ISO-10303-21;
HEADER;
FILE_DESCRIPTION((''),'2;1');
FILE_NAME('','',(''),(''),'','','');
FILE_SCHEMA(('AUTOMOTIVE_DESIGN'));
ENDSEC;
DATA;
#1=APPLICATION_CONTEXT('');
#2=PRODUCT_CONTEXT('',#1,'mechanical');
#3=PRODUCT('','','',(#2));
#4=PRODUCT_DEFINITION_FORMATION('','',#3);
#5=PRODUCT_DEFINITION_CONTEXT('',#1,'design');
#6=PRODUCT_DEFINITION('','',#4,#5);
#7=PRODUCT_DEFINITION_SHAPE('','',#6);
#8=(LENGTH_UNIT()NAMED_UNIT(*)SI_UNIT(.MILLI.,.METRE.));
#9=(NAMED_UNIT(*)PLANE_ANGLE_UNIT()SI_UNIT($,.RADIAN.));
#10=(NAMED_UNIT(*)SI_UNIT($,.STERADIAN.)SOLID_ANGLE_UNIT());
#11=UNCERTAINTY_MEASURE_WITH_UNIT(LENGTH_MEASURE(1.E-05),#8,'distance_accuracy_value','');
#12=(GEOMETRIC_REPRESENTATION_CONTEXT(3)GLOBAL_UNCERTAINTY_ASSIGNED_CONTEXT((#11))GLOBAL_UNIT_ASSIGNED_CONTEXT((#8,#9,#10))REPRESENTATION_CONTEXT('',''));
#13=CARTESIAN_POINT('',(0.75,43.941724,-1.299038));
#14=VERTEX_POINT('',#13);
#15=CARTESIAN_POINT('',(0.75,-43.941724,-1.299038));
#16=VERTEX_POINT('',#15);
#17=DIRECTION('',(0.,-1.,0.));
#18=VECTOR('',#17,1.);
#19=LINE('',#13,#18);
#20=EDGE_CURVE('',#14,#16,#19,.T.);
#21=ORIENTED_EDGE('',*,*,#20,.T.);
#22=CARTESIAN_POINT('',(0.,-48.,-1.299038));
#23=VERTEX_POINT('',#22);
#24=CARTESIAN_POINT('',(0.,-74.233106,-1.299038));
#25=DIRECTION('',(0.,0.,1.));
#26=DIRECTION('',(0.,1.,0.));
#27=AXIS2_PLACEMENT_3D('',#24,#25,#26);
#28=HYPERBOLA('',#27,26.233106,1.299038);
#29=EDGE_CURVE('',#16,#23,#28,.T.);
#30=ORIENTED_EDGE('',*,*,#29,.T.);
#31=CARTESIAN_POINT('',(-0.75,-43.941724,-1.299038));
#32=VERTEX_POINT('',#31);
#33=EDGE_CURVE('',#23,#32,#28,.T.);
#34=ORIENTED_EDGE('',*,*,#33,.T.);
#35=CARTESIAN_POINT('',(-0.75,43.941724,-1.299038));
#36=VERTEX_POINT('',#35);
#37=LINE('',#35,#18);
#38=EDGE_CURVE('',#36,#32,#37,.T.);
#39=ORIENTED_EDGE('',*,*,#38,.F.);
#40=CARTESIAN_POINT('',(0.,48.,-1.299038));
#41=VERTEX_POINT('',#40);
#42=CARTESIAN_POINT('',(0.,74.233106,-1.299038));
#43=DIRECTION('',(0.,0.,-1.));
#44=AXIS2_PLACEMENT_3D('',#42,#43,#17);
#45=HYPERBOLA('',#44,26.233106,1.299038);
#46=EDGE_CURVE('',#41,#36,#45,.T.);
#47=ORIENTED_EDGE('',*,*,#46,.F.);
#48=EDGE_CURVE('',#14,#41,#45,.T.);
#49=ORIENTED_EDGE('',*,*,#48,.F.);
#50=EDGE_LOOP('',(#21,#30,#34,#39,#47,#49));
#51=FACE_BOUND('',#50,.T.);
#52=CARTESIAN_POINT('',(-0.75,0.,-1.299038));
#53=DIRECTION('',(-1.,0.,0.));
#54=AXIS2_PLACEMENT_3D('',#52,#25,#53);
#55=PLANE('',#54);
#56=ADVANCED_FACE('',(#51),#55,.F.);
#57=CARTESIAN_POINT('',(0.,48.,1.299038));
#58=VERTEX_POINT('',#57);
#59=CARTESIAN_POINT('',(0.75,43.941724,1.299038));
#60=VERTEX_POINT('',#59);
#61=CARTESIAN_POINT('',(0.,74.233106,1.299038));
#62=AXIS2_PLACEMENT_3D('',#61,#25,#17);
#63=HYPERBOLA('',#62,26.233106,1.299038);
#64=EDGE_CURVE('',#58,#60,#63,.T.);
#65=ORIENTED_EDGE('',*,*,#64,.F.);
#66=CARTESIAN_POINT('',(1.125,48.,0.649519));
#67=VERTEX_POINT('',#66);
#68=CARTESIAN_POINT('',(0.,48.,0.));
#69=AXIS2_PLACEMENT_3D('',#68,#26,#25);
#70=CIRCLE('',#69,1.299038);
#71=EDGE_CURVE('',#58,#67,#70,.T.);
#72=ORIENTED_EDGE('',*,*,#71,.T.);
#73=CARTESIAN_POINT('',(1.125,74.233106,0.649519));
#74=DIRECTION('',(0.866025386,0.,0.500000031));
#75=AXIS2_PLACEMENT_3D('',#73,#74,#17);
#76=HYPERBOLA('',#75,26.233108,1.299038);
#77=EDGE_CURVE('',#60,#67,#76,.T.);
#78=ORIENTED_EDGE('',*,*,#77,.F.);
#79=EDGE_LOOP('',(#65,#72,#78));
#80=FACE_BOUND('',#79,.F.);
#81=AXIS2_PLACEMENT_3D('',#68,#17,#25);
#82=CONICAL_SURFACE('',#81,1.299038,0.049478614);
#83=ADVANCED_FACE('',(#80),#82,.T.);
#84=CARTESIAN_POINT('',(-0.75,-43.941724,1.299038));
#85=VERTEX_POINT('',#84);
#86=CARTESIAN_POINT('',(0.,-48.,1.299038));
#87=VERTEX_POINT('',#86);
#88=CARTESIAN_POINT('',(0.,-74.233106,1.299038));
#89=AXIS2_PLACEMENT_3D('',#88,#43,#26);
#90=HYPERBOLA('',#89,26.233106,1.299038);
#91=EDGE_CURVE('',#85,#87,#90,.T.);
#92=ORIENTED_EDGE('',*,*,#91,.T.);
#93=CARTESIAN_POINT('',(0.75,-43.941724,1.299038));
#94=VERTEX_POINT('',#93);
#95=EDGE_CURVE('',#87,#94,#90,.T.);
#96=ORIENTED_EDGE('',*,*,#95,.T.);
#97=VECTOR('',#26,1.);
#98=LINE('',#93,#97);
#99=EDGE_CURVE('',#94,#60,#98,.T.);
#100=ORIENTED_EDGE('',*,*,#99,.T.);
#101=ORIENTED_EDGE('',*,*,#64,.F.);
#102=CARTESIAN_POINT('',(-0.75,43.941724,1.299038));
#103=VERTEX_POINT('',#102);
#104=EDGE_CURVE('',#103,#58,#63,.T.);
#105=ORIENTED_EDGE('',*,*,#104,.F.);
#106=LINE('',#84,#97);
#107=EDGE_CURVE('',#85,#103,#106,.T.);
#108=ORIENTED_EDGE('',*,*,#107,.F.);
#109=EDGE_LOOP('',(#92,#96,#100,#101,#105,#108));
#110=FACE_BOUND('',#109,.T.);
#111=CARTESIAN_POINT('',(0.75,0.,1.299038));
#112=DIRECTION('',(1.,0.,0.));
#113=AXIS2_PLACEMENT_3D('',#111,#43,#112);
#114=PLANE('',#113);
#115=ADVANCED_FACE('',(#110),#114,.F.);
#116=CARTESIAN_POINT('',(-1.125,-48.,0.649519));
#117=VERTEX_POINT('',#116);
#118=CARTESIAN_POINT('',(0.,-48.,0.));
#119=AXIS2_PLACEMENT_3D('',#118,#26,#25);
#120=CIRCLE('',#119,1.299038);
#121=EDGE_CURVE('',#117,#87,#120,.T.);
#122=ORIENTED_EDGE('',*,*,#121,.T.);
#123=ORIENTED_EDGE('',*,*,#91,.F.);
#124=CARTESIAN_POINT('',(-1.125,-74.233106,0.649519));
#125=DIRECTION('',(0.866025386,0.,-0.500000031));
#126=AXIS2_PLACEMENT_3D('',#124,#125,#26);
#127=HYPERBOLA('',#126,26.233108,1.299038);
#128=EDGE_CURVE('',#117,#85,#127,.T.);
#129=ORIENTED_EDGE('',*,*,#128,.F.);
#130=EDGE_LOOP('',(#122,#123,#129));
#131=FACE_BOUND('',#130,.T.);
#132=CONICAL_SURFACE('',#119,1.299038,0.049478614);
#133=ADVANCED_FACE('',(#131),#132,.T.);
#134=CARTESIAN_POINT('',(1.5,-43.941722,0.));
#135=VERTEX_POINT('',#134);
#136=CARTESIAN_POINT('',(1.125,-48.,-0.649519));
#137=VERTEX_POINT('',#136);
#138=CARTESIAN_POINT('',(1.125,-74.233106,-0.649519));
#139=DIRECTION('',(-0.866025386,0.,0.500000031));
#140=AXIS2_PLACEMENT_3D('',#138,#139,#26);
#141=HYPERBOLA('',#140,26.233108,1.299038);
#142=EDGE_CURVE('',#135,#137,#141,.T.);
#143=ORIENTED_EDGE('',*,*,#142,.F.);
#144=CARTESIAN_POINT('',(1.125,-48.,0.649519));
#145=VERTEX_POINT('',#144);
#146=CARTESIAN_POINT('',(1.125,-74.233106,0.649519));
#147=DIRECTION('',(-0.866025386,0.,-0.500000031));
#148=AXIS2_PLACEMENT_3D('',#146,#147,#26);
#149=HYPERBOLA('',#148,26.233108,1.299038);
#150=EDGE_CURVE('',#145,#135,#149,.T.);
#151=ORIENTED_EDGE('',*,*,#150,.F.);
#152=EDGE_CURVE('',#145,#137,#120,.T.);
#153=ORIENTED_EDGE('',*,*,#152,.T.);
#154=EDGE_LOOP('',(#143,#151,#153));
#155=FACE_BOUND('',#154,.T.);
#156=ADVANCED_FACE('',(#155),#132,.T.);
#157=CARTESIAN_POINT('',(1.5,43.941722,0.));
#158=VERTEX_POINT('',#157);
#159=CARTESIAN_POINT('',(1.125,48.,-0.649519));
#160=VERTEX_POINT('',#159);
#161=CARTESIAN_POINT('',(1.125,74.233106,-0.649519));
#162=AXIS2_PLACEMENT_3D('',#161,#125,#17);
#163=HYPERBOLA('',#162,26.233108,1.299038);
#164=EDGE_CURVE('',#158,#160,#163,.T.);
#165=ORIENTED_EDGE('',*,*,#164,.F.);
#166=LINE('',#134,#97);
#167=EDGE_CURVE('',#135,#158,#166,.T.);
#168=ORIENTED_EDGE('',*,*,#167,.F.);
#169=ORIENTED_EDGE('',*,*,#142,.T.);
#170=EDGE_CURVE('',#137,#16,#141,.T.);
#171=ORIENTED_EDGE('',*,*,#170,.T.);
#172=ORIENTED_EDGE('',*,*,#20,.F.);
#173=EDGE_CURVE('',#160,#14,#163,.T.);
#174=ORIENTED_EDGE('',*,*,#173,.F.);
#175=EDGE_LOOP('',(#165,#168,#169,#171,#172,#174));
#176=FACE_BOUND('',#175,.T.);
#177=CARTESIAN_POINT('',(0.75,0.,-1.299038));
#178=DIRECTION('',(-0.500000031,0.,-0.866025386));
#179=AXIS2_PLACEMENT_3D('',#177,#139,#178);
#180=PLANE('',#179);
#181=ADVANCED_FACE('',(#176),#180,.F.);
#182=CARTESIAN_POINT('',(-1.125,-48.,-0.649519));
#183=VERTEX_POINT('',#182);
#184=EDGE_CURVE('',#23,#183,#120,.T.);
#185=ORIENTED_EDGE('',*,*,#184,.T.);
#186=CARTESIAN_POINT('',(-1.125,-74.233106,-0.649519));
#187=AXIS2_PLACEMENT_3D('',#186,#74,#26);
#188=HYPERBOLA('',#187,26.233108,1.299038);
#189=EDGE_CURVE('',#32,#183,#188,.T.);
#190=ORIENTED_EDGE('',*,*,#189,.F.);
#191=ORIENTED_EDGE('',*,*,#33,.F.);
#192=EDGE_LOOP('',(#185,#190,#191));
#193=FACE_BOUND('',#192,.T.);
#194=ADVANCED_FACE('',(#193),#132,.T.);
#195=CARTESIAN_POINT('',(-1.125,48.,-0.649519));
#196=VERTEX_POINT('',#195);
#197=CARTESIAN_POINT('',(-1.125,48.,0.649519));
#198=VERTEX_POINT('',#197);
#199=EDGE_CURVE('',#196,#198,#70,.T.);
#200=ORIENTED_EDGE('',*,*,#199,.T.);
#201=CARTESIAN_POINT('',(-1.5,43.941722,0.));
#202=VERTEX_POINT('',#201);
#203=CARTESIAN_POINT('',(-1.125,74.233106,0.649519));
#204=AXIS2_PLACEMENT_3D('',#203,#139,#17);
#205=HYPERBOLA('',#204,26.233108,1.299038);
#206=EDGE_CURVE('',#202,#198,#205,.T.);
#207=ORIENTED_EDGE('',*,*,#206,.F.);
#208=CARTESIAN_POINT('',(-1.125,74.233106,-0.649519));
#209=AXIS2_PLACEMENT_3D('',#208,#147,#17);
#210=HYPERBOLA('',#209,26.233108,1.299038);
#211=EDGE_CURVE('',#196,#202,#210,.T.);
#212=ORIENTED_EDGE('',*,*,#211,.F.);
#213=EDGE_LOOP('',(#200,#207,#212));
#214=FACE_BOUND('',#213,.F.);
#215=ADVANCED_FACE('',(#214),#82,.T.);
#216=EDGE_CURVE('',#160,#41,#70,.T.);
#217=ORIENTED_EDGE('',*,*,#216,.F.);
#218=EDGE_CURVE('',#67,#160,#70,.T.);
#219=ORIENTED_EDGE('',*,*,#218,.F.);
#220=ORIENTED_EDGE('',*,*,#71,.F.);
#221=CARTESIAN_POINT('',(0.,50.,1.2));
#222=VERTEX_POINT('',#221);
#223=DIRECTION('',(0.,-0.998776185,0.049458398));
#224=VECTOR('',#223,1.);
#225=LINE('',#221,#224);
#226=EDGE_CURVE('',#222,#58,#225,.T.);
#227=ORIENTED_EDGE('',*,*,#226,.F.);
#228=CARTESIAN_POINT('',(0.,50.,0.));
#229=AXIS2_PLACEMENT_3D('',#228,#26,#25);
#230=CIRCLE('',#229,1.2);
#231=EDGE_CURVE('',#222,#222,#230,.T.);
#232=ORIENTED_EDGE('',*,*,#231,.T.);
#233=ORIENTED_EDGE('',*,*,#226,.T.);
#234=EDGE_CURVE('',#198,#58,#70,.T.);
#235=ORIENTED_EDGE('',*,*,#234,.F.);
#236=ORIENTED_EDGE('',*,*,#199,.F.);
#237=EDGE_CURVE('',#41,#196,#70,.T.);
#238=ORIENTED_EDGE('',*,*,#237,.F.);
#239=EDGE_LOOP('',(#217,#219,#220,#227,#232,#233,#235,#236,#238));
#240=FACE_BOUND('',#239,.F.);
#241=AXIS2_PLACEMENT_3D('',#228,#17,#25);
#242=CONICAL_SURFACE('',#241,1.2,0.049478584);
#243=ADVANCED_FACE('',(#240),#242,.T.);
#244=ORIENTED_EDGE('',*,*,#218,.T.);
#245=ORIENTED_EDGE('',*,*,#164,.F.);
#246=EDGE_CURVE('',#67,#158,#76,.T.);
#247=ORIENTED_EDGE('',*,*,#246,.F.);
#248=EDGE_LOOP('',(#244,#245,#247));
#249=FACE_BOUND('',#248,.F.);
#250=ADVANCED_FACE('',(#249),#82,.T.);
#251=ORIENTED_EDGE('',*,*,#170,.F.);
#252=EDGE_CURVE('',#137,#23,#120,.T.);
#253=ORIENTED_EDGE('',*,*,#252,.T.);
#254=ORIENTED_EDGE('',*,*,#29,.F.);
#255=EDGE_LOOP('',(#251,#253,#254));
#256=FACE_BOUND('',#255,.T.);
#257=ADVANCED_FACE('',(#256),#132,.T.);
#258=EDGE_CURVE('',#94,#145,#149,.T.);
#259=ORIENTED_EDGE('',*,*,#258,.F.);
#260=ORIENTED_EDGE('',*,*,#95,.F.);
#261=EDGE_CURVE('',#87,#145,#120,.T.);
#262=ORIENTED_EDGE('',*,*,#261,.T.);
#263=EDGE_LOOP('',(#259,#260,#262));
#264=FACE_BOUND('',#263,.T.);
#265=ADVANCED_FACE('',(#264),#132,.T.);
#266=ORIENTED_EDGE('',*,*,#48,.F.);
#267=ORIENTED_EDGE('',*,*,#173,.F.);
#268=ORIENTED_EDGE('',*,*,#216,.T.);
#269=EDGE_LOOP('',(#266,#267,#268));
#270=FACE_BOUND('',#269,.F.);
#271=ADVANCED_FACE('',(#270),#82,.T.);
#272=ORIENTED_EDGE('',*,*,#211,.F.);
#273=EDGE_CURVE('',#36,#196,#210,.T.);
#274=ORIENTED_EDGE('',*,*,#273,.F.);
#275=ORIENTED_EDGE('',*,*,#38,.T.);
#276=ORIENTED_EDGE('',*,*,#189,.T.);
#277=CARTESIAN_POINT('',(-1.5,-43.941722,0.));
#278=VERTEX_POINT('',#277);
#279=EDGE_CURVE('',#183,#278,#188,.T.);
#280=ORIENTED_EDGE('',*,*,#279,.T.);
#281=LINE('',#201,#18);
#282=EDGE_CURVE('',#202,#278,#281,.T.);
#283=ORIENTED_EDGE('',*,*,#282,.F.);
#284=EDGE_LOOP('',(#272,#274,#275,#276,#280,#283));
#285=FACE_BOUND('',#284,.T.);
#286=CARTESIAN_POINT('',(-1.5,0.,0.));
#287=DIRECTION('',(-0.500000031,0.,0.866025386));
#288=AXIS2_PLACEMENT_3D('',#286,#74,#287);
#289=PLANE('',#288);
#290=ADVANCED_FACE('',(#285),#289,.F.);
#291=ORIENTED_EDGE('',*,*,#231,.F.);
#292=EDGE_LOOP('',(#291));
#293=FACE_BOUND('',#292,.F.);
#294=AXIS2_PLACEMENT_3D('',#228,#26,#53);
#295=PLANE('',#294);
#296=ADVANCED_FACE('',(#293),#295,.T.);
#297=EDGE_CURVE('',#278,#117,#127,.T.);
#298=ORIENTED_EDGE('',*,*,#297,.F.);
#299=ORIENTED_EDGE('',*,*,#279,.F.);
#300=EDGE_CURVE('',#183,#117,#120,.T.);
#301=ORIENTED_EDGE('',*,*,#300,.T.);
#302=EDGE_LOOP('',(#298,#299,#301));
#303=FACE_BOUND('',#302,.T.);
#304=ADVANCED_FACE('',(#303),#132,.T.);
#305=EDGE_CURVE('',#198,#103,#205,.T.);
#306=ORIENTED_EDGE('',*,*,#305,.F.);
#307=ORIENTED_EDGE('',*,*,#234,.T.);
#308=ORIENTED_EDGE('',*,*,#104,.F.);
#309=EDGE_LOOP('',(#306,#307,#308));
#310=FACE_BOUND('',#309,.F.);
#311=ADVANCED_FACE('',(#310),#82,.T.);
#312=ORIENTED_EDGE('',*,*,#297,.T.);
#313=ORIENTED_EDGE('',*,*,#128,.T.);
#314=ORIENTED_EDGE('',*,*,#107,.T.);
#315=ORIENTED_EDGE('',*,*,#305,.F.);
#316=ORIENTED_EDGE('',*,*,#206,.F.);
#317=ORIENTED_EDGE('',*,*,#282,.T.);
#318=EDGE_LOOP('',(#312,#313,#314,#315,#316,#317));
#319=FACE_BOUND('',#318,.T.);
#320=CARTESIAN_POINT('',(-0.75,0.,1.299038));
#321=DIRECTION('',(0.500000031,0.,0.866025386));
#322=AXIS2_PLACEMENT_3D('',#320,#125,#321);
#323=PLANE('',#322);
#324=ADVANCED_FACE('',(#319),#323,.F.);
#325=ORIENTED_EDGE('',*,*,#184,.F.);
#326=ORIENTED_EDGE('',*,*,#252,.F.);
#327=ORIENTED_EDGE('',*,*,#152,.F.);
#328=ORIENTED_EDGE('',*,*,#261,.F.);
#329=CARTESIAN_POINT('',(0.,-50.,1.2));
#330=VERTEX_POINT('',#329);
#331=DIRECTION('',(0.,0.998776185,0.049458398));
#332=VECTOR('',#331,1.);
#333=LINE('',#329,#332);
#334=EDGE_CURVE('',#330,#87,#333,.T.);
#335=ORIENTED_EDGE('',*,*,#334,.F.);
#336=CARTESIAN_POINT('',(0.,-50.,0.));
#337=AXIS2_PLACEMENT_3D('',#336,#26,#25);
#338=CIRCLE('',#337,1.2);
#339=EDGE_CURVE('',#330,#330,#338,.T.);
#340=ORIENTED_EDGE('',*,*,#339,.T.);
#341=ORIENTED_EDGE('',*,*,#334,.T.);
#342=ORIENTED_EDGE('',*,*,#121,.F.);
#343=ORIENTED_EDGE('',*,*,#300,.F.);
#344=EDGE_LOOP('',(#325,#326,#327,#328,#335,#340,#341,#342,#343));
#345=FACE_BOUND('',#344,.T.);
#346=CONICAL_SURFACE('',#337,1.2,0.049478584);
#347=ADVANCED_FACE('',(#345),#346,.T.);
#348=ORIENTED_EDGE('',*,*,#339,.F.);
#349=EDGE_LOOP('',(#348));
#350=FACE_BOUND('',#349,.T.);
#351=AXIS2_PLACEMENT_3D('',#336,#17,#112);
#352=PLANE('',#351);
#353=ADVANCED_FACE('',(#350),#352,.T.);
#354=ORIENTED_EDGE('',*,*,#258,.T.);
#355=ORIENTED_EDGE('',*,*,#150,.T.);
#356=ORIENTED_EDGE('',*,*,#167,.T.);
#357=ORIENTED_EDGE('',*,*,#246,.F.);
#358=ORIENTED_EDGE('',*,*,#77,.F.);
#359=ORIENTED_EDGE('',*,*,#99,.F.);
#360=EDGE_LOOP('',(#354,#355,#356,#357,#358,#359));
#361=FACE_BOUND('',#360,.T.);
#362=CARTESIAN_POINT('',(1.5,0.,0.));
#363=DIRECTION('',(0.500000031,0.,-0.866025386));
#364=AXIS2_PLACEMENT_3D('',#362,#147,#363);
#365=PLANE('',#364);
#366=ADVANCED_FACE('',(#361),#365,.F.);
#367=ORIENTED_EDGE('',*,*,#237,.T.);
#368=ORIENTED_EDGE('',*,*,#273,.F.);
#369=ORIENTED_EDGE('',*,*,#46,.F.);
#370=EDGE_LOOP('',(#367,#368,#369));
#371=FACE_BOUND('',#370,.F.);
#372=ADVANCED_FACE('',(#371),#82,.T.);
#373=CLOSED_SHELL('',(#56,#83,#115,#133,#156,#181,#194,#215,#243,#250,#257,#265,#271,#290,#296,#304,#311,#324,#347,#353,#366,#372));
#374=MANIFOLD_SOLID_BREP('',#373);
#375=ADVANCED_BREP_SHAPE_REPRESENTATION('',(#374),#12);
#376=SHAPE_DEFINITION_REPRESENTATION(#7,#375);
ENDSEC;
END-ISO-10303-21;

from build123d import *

# Parameters (mm, degrees)
F1_DEPTH = 50


with BuildPart() as f1:
    # F0 (on Front) → F1 (new body)
    with BuildSketch(Plane.XZ):
        Polygon((-0.75, 1.299038), (-1.5, 0), (-0.75, -1.299038), (0.75, -1.299038), (1.5, 0), (0.75, 1.299038), align=None)
    extrude(amount=F1_DEPTH)

    # F2 (on Right) → F3 (revolve, cut)
    with BuildSketch(Plane.YZ):
        Polygon((-51.041506, 1.148426), (-50, 1.2), (-48, 1.299038), (-36.083652, 1.889124), (-51.041506, 1.889124), align=None)
    revolve(axis=Axis((0, 7.533245, 0), (0, 1, 0)), mode=Mode.SUBTRACT)

    # F4: F1 across plane


with BuildPart() as f1_1:
    add(f1.part)
    add(f1.part.mirror(Plane.XZ))


solid = f1_1.part
